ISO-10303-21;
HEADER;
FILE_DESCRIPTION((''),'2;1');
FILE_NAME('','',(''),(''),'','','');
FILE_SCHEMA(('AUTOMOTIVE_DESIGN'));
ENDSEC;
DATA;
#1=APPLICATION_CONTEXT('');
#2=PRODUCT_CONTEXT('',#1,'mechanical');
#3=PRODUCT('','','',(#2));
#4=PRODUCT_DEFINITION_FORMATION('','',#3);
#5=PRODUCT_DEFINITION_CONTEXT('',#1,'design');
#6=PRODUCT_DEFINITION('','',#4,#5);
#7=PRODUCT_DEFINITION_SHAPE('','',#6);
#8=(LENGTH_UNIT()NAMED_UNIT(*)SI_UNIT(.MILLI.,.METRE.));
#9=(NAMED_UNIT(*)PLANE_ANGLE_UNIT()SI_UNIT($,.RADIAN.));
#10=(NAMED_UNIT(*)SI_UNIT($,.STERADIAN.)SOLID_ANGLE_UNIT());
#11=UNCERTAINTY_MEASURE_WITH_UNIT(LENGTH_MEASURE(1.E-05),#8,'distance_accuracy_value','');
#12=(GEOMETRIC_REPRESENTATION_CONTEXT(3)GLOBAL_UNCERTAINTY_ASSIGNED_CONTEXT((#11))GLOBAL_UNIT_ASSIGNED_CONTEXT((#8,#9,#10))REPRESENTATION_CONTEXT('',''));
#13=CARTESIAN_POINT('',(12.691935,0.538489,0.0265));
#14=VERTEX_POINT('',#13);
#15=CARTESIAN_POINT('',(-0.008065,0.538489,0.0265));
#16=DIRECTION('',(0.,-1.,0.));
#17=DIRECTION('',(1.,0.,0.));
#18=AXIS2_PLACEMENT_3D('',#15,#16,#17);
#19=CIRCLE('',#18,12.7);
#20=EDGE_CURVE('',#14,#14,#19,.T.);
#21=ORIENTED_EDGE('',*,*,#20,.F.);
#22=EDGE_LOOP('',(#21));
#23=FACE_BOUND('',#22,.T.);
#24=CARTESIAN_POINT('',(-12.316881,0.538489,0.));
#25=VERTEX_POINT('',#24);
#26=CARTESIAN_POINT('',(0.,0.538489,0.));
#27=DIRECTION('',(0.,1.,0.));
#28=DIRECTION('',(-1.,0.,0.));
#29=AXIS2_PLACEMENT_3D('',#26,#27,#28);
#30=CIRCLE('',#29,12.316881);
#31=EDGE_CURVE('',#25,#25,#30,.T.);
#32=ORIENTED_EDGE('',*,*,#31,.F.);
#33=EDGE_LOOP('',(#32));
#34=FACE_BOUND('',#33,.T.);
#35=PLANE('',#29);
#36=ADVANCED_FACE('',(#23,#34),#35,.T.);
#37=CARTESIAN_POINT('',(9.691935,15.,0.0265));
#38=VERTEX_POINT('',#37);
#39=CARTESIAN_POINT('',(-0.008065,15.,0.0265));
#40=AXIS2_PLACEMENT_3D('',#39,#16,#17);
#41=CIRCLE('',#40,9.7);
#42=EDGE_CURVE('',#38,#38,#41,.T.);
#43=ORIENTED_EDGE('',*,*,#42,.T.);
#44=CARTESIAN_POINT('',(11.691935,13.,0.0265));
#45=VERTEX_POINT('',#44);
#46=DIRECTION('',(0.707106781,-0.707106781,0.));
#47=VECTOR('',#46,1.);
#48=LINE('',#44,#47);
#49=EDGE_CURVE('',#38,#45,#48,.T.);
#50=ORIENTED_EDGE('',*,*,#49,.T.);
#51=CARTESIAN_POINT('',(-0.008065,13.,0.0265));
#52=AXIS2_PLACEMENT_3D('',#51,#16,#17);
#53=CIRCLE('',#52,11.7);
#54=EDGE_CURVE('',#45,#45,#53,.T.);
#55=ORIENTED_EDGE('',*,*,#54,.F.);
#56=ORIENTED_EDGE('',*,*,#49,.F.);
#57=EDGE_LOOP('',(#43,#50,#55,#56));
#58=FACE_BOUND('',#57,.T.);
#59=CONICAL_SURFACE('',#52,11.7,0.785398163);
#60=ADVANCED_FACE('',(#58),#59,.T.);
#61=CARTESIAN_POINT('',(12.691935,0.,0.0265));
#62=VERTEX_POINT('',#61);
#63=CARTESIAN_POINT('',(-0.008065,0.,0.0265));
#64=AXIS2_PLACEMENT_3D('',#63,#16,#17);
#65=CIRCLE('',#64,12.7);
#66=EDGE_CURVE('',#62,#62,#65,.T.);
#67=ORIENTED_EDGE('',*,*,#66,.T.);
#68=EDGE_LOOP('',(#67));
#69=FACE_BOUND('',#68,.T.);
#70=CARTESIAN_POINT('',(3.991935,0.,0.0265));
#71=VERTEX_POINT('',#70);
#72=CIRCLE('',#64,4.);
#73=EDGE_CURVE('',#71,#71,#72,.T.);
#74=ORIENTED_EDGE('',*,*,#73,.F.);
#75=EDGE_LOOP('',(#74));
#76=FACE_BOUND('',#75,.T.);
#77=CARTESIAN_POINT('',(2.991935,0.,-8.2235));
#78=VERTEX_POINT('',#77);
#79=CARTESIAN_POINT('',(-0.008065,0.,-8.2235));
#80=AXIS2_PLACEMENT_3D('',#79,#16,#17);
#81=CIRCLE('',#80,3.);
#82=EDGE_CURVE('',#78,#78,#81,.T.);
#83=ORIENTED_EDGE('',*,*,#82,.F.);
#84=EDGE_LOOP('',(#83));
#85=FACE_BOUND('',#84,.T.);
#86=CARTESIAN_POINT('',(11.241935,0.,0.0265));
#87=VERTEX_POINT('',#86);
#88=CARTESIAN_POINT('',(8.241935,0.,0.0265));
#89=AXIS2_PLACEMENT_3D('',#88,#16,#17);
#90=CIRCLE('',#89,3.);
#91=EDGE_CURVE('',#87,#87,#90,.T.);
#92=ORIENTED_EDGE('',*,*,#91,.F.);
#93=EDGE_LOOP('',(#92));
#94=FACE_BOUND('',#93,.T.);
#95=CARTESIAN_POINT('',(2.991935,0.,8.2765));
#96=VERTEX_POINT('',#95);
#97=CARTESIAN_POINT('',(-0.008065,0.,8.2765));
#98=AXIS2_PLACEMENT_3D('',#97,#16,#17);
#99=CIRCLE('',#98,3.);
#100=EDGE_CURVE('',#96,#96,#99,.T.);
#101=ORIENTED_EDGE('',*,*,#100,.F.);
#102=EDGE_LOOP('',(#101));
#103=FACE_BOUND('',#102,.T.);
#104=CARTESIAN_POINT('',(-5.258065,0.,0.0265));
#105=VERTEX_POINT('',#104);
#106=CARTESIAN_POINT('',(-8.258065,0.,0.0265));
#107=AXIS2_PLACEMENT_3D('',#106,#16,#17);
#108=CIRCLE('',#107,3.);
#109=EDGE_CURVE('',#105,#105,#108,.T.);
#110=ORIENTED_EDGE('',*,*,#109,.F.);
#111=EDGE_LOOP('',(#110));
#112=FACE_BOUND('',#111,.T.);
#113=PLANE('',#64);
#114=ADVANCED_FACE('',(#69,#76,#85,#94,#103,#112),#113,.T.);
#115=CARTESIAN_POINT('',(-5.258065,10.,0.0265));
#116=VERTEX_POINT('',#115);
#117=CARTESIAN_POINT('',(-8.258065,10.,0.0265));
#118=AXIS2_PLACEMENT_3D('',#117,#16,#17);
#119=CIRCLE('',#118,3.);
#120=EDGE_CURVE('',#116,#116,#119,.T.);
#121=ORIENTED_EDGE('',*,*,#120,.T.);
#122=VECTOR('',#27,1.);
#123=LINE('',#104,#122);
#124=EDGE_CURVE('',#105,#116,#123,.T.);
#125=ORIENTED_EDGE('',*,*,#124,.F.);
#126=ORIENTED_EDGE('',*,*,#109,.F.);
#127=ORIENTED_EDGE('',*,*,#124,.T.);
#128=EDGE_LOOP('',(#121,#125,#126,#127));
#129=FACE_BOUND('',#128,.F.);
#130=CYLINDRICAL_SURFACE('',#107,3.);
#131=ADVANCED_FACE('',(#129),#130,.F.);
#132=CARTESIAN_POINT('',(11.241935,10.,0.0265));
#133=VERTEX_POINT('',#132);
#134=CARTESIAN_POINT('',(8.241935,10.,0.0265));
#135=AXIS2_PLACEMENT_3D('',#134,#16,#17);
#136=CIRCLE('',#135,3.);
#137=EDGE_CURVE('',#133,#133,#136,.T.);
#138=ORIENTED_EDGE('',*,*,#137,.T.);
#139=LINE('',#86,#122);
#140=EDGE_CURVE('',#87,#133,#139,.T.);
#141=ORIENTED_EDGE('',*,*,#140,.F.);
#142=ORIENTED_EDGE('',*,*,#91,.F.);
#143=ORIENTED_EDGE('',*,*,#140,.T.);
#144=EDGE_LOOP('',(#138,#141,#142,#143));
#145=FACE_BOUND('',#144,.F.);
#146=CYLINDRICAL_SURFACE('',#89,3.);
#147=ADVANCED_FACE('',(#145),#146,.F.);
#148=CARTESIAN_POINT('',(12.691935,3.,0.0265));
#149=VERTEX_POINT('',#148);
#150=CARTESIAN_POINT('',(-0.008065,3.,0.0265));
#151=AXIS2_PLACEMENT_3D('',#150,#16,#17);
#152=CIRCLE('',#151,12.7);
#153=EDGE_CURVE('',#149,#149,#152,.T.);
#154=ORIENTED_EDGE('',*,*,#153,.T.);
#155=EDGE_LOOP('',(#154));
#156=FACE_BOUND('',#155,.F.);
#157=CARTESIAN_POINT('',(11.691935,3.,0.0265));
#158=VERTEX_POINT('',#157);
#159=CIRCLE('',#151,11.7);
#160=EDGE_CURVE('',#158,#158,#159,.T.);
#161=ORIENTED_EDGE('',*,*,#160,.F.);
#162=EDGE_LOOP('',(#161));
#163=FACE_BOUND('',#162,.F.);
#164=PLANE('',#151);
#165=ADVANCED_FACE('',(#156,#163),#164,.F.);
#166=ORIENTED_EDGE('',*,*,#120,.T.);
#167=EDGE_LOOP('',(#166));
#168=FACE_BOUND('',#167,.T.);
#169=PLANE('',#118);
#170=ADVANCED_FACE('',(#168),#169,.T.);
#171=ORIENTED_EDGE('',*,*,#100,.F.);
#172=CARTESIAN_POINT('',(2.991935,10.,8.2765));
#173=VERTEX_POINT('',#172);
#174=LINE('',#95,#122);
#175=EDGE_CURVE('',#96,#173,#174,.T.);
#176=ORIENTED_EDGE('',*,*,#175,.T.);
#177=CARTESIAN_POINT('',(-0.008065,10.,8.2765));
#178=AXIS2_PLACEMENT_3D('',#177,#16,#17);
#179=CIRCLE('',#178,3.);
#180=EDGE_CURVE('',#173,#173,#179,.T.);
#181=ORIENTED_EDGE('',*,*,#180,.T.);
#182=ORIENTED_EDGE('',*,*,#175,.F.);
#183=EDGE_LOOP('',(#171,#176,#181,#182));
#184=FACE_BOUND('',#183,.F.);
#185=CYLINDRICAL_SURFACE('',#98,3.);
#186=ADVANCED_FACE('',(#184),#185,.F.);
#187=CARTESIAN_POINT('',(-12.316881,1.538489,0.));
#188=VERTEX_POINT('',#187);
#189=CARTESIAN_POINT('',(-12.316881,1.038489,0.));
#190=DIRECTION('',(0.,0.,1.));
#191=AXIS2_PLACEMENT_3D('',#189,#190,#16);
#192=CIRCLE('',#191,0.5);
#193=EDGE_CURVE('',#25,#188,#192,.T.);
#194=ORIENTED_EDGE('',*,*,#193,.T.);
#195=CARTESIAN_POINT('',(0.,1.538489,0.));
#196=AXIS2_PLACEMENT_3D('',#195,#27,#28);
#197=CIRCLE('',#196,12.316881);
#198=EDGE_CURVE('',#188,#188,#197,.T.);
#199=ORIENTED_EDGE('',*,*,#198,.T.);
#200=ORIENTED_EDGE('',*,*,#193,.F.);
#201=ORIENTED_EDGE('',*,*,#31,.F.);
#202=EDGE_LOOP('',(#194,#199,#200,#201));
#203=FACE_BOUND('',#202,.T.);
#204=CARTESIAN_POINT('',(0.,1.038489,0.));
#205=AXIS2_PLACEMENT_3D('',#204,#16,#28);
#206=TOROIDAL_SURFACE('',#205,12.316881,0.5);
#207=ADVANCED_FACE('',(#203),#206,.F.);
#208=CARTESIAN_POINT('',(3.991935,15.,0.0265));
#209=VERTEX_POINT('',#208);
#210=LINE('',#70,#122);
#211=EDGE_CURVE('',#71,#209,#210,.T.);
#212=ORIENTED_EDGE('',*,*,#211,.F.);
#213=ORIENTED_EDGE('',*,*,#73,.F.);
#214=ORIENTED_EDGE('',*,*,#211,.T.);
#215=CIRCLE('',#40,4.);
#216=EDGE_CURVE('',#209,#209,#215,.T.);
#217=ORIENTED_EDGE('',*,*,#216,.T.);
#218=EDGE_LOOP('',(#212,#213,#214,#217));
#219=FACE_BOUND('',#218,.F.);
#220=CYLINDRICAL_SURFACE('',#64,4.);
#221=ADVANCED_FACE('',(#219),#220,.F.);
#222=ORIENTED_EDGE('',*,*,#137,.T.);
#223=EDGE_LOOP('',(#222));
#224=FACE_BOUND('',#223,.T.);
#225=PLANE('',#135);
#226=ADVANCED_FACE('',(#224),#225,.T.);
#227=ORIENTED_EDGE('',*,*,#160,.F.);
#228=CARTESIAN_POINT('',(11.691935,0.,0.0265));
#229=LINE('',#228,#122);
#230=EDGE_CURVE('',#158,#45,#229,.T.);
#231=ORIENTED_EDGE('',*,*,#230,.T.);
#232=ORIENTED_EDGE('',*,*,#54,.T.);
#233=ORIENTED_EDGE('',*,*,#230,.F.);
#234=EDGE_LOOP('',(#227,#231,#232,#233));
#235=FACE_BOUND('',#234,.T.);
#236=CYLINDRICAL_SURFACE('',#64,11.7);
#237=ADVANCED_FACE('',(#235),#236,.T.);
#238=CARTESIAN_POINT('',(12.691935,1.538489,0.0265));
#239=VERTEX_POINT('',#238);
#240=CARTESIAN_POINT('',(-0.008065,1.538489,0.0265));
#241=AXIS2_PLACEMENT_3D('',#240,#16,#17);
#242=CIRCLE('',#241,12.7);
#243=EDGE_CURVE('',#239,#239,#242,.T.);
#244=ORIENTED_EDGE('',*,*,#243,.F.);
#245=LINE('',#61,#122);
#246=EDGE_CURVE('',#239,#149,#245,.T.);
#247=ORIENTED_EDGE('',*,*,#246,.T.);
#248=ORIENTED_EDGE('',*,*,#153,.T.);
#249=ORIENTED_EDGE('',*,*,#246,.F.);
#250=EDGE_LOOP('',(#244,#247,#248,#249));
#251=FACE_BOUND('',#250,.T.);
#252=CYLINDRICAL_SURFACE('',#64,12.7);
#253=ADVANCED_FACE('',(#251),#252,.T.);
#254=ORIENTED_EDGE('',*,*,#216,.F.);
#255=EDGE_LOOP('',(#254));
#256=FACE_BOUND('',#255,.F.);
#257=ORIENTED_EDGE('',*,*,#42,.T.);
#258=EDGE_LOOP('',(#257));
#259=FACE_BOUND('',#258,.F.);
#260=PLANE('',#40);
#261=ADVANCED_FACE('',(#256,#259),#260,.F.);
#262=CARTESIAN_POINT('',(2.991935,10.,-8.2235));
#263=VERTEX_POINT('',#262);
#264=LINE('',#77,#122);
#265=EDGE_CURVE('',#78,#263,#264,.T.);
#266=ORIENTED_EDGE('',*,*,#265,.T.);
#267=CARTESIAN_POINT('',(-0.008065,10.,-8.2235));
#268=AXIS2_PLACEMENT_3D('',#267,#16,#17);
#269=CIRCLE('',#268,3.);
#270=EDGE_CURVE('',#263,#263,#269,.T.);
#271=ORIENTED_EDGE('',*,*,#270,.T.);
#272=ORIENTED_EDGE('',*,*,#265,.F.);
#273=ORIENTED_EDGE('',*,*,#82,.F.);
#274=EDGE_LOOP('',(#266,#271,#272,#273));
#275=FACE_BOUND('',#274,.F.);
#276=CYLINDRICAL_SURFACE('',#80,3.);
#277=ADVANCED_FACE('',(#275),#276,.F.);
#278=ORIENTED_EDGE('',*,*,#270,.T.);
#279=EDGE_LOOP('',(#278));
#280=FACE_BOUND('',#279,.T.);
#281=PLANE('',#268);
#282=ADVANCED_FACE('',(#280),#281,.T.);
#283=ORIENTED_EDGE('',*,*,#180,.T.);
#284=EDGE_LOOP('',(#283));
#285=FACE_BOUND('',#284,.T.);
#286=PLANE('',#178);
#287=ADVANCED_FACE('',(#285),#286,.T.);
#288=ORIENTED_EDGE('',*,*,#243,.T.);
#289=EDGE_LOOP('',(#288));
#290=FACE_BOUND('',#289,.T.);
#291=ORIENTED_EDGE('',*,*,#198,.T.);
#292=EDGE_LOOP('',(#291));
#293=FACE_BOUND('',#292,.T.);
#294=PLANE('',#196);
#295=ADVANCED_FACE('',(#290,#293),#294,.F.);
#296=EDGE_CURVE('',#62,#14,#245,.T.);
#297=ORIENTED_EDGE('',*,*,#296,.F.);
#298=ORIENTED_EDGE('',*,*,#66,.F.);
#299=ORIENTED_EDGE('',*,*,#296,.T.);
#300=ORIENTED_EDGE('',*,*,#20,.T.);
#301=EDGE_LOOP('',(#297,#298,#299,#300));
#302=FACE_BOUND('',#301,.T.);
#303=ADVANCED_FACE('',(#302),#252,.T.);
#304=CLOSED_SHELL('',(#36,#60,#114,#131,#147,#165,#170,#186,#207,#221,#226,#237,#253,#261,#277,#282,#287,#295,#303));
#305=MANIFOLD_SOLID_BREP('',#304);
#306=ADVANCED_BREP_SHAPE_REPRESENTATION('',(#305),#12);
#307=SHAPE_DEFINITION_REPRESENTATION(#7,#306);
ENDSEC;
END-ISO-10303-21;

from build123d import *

# Parameters (mm, degrees)
F0_R     = 11.7
F0_R_2   = 3
F0_R_3   = 4
F0_R_4   = 12.7
F1_DEPTH = 3
F2_DEPTH = 15
F3_DEPTH = 10
F7_SIZE  = 2


with BuildPart() as f1:
    # F0 (on Front) → F1 (new body)
    with BuildSketch(Plane.XZ):
        with Locations((-0.008065, 0.0265)):
            Circle(F0_R)
        with Locations((-0.008065, -8.2235)):
            Circle(F0_R_2, mode=Mode.SUBTRACT)
        with Locations((-8.258065, 0.0265)):
            Circle(F0_R_2, mode=Mode.SUBTRACT)
        with Locations((-0.008065, 0.0265)):
            Circle(F0_R_3, mode=Mode.SUBTRACT)
        with Locations((8.241935, 0.0265)):
            Circle(F0_R_2, mode=Mode.SUBTRACT)
        with Locations((-0.008065, 8.2765)):
            Circle(F0_R_2, mode=Mode.SUBTRACT)
        with Locations((-0.008065, 0.0265)):
            Circle(F0_R_4)
        with Locations((-0.008065, 0.0265)):
            Circle(F0_R, mode=Mode.SUBTRACT)
        with Locations((-8.258065, 0.0265)):
            Circle(F0_R_2)
        with Locations((-0.008065, -8.2235)):
            Circle(F0_R_2)
        with Locations((8.241935, 0.0265)):
            Circle(F0_R_2)
        with Locations((-0.008065, 8.2765)):
            Circle(F0_R_2)
    extrude(amount=-F1_DEPTH)

    # F0 (on Front) → F2 (join)
    with BuildSketch(Plane.XZ):
        with Locations((-0.008065, 0.0265)):
            Circle(F0_R)
        with Locations((-0.008065, -8.2235)):
            Circle(F0_R_2, mode=Mode.SUBTRACT)
        with Locations((-8.258065, 0.0265)):
            Circle(F0_R_2, mode=Mode.SUBTRACT)
        with Locations((-0.008065, 0.0265)):
            Circle(F0_R_3, mode=Mode.SUBTRACT)
        with Locations((8.241935, 0.0265)):
            Circle(F0_R_2, mode=Mode.SUBTRACT)
        with Locations((-0.008065, 8.2765)):
            Circle(F0_R_2, mode=Mode.SUBTRACT)
        with Locations((-8.258065, 0.0265)):
            Circle(F0_R_2)
        with Locations((-0.008065, 8.2765)):
            Circle(F0_R_2)
        with Locations((8.241935, 0.0265)):
            Circle(F0_R_2)
        with Locations((-0.008065, -8.2235)):
            Circle(F0_R_2)
    extrude(amount=-F2_DEPTH)

    # F0 (on Front) → F3 (cut)
    with BuildSketch(Plane.XZ):
        with Locations((-8.258065, 0.0265)):
            Circle(F0_R_2)
        with Locations((-0.008065, 8.2765)):
            Circle(F0_R_2)
        with Locations((8.241935, 0.0265)):
            Circle(F0_R_2)
        with Locations((-0.008065, -8.2235)):
            Circle(F0_R_2)
    extrude(amount=-F3_DEPTH, mode=Mode.SUBTRACT)

    # F4 (on Top) → F5 (revolve, cut)
    with BuildSketch(Plane.XY):
        with BuildLine():
            Line((-13.744461, 0.538489), (-12.316881, 0.538489))
            ThreePointArc((-12.316881, 0.538489), (-11.816881, 1.038489), (-12.316881, 1.538489))
            Line((-12.316881, 1.538489), (-12.716881, 1.538489))
            Line((-12.716881, 1.538489), (-13.744461, 1.538489))
            Line((-13.744461, 1.538489), (-13.744461, 0.538489))
        make_face()
    revolve(axis=Axis((0, 1.278264, 0), (0, 1, 0)), mode=Mode.SUBTRACT)

    # F4 (on Top) → F6 (revolve, cut)
    with BuildSketch(Plane.XY):
        with BuildLine():
            Line((-13.744461, 0.538489), (-12.316881, 0.538489))
            ThreePointArc((-12.316881, 0.538489), (-11.816881, 1.038489), (-12.316881, 1.538489))
            Line((-12.316881, 1.538489), (-12.716881, 1.538489))
            Line((-12.716881, 1.538489), (-13.744461, 1.538489))
            Line((-13.744461, 1.538489), (-13.744461, 0.538489))
        make_face()
    revolve(axis=Axis((0, 1.278264, 0), (0, 1, 0)), mode=Mode.SUBTRACT)

    # F7
    f7_edges = [f1.edges().sort_by_distance(p)[0] for p in [
        (-11.708065, 15, 0.0265),
    ]]
    chamfer(f7_edges, length=F7_SIZE)


solid = f1.part
